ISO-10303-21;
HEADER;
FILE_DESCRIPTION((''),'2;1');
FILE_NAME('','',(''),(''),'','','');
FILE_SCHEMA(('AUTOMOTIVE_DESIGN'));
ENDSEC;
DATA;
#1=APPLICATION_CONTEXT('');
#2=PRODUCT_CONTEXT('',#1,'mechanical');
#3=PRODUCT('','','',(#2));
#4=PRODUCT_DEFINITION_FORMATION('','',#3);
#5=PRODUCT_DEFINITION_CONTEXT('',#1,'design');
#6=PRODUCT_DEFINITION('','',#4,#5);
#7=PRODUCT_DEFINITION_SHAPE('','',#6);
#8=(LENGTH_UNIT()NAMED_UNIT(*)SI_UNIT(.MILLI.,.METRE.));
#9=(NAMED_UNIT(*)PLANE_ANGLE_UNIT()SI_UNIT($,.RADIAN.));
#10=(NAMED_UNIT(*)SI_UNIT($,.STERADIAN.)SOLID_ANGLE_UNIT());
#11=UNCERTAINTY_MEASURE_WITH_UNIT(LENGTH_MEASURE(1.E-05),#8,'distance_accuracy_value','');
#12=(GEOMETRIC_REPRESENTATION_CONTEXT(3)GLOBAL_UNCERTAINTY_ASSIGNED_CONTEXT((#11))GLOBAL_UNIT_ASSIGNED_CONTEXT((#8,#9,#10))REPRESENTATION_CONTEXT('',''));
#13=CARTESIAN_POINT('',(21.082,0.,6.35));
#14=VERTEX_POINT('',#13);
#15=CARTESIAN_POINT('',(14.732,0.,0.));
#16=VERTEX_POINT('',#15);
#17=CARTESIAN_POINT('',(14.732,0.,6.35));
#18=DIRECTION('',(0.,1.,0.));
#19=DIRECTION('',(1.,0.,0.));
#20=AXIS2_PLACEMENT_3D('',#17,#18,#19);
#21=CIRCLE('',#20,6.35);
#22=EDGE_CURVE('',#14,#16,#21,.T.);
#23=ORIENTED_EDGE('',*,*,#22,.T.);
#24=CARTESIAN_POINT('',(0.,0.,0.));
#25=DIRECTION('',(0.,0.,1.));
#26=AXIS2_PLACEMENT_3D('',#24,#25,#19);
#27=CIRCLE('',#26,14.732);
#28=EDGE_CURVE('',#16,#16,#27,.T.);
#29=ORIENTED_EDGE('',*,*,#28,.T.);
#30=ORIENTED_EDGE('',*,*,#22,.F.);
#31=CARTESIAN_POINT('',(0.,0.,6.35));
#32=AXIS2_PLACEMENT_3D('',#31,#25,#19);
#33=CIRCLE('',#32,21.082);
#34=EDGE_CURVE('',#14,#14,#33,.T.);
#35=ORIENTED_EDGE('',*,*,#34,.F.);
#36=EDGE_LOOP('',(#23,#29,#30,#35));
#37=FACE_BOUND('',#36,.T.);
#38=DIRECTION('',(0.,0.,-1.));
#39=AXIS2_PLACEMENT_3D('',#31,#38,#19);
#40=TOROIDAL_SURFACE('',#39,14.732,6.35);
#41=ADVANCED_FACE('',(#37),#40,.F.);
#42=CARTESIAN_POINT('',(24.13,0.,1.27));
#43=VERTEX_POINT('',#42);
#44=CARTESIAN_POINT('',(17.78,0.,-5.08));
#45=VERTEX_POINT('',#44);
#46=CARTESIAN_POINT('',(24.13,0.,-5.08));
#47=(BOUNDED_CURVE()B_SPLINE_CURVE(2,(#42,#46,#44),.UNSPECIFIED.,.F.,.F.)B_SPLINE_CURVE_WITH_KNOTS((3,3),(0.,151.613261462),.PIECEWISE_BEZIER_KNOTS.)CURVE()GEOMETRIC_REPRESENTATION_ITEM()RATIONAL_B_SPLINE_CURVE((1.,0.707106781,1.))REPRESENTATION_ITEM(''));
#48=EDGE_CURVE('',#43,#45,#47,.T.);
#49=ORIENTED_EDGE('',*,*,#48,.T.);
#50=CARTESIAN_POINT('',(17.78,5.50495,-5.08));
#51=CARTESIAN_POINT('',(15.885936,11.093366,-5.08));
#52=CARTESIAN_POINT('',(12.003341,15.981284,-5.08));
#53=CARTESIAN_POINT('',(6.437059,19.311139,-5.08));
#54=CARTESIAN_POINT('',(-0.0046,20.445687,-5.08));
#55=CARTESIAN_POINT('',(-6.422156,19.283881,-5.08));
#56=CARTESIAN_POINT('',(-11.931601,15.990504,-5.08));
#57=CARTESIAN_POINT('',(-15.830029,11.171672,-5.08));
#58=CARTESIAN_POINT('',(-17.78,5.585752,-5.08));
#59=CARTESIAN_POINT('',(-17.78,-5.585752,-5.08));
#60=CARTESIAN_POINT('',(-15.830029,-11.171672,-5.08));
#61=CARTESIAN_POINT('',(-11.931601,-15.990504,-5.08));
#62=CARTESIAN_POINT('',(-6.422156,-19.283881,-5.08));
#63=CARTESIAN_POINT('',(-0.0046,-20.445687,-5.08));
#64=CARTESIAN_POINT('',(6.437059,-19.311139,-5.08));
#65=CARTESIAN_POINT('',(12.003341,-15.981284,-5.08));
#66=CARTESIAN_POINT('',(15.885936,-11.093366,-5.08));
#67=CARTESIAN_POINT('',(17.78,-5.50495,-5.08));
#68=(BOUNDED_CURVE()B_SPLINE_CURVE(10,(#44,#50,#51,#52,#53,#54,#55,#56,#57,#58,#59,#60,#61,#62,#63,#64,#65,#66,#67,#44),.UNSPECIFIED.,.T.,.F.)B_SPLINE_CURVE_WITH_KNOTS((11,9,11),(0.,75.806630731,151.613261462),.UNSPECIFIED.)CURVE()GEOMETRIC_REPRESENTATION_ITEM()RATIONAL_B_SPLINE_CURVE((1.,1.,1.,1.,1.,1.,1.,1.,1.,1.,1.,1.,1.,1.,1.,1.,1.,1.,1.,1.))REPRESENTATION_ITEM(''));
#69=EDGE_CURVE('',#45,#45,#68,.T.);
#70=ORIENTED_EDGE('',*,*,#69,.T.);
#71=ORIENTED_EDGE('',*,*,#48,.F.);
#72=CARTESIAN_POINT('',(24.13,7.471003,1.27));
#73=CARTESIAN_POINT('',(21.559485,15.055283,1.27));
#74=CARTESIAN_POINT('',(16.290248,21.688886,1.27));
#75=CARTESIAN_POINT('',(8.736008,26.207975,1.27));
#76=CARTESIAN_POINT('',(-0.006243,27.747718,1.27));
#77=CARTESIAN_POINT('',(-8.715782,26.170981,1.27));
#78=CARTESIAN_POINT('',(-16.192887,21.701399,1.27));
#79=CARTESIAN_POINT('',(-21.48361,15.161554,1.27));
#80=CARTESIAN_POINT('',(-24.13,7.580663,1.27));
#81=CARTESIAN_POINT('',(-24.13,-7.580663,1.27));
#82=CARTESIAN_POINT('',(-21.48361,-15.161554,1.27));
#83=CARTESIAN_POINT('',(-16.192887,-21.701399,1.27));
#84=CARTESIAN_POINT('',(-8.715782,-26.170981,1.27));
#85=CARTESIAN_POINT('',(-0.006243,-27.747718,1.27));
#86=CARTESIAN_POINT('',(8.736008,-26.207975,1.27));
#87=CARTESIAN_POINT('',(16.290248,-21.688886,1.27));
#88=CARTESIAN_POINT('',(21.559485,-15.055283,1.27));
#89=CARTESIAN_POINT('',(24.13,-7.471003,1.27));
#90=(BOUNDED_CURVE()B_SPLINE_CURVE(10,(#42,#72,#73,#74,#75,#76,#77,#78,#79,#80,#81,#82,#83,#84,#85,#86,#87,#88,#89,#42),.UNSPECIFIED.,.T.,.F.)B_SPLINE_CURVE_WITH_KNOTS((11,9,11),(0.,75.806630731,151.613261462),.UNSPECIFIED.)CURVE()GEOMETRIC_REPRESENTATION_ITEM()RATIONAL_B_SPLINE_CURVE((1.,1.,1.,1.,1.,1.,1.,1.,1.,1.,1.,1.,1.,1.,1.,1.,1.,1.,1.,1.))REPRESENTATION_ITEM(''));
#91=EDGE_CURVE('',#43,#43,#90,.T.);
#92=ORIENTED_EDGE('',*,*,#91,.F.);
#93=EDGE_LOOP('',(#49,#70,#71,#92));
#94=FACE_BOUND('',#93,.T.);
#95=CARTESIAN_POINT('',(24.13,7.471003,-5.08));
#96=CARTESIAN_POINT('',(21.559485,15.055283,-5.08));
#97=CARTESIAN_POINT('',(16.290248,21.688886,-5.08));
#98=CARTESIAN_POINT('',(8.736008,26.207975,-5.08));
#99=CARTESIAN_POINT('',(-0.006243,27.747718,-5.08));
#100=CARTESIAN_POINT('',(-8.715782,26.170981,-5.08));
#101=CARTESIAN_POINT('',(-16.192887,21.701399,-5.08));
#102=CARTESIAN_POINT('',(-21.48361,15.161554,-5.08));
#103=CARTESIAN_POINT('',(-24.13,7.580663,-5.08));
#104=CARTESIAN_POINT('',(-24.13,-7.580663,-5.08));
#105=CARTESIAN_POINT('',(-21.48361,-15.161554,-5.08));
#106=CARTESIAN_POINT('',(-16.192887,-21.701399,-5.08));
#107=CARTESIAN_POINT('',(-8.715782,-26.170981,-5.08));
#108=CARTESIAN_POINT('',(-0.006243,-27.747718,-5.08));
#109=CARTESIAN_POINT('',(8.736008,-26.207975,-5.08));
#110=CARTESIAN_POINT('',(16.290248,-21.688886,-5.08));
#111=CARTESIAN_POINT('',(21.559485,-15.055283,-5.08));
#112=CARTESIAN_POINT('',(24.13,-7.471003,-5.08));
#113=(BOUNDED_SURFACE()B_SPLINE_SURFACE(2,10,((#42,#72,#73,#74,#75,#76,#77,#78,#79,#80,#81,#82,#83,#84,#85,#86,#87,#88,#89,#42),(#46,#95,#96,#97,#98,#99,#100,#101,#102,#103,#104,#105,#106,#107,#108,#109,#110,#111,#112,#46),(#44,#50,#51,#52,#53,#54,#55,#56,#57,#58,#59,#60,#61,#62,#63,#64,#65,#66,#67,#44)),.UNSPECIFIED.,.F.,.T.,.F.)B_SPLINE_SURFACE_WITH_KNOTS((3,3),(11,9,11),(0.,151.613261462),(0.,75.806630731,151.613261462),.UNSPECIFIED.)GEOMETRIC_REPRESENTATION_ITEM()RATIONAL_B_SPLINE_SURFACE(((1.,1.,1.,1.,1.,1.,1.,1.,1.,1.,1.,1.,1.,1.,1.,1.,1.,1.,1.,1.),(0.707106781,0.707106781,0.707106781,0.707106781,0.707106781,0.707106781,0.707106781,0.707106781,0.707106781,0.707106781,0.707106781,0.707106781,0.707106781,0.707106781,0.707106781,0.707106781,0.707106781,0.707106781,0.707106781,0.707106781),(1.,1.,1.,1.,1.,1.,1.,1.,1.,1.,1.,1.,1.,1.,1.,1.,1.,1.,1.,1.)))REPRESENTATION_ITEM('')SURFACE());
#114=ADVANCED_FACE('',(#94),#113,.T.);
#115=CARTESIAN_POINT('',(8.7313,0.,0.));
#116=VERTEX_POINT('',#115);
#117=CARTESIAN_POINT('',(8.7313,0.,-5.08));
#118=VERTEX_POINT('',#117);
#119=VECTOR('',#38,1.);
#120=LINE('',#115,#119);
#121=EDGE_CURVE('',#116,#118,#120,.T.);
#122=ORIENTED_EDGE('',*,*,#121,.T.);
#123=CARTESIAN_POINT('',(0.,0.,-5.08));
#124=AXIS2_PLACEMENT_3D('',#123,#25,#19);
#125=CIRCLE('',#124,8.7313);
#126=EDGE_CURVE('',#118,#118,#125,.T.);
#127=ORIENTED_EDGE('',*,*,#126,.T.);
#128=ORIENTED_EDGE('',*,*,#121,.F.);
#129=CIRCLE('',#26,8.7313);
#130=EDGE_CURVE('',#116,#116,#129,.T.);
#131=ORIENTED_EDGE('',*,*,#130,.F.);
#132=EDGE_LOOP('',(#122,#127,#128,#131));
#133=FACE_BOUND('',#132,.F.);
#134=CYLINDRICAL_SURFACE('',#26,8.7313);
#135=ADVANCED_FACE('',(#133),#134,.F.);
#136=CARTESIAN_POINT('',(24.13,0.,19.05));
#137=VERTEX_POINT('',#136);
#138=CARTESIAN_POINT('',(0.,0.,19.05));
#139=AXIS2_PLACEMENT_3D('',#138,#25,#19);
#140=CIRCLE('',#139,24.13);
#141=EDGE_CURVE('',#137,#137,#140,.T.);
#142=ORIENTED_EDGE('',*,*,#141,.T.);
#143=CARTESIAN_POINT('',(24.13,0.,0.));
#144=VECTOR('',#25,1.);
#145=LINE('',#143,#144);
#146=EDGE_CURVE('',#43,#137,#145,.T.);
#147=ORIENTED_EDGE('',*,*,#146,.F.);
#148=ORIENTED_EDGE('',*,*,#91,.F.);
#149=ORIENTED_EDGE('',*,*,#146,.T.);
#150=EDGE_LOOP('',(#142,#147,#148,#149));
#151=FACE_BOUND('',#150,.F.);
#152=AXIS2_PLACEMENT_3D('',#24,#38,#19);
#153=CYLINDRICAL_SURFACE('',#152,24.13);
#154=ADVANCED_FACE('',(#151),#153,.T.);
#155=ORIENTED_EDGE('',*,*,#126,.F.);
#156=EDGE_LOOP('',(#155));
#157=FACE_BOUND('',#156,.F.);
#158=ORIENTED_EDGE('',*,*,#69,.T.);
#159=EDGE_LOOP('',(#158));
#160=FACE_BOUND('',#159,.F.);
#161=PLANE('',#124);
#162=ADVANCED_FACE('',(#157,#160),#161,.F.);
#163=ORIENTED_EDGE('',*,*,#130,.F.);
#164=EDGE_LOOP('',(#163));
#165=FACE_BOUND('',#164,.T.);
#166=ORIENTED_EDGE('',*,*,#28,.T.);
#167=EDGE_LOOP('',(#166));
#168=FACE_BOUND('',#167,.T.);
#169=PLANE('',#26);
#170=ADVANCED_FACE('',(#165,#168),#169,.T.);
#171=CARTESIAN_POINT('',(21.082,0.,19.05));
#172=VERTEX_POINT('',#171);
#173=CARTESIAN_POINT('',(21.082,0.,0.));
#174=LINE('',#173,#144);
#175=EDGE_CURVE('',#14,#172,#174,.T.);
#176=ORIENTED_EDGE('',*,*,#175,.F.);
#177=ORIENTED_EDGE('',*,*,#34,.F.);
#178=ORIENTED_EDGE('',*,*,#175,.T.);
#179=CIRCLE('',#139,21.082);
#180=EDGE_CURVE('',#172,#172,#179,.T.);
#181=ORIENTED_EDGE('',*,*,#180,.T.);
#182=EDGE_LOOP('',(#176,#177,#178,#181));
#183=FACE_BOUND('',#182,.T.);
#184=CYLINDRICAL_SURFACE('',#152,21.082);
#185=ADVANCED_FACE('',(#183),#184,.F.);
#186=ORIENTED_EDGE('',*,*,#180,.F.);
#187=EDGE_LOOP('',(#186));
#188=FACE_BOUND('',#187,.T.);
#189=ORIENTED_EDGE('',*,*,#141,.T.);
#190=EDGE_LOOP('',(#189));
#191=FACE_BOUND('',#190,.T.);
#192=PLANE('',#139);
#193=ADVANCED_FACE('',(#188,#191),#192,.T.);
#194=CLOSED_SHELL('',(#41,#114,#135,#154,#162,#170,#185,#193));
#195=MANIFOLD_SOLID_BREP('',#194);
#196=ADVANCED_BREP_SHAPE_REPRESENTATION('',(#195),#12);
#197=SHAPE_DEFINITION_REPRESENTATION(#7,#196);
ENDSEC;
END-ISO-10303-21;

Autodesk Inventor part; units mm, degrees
ref_plane "YZ Plane" through (0, 0, 0) normal (1, 0, 0) x (0, 1, 0)
ref_plane "XZ Plane" through (0, 0, 0) normal (0, 1, 0) x (-1, 0, 0)
ref_plane "XY Plane" through (0, 0, 0) normal (0, 0, 1) x (1, 0, 0)
sketch "Sketch1" plane through (0, 0, 0) normal (0, 0, 1) x (1, 0, 0)
  circle A0 centre (0, 0) radius 21.082
  circle A1 centre (0, 0) radius 24.13
  circle A2 centre (0, 0) radius 8.7313
  dimension "d0" = 42.164
  dimension "d1" = 48.26
  dimension "d8" = 17.4625
extrude "Extrusion1" add sketch "Sketch1" along normal blind 19.05 contours A1
extrude "Extrusion2" add sketch "Sketch1" against normal blind 5.08 contours A0 | A1 | A2
fillet "Fillet1" radius 6.35 1 edges at (-24.13, 0, -5.08)
fillet "Fillet2" radius 6.35 1 edges at (-21.082, 0, 0)
extrude "Extrusion3" cut sketch "Sketch1" against normal blind 5.08 contours A2
properties part number "PVC Shooter Conveyor End Cap" material "PVC-Piping"
